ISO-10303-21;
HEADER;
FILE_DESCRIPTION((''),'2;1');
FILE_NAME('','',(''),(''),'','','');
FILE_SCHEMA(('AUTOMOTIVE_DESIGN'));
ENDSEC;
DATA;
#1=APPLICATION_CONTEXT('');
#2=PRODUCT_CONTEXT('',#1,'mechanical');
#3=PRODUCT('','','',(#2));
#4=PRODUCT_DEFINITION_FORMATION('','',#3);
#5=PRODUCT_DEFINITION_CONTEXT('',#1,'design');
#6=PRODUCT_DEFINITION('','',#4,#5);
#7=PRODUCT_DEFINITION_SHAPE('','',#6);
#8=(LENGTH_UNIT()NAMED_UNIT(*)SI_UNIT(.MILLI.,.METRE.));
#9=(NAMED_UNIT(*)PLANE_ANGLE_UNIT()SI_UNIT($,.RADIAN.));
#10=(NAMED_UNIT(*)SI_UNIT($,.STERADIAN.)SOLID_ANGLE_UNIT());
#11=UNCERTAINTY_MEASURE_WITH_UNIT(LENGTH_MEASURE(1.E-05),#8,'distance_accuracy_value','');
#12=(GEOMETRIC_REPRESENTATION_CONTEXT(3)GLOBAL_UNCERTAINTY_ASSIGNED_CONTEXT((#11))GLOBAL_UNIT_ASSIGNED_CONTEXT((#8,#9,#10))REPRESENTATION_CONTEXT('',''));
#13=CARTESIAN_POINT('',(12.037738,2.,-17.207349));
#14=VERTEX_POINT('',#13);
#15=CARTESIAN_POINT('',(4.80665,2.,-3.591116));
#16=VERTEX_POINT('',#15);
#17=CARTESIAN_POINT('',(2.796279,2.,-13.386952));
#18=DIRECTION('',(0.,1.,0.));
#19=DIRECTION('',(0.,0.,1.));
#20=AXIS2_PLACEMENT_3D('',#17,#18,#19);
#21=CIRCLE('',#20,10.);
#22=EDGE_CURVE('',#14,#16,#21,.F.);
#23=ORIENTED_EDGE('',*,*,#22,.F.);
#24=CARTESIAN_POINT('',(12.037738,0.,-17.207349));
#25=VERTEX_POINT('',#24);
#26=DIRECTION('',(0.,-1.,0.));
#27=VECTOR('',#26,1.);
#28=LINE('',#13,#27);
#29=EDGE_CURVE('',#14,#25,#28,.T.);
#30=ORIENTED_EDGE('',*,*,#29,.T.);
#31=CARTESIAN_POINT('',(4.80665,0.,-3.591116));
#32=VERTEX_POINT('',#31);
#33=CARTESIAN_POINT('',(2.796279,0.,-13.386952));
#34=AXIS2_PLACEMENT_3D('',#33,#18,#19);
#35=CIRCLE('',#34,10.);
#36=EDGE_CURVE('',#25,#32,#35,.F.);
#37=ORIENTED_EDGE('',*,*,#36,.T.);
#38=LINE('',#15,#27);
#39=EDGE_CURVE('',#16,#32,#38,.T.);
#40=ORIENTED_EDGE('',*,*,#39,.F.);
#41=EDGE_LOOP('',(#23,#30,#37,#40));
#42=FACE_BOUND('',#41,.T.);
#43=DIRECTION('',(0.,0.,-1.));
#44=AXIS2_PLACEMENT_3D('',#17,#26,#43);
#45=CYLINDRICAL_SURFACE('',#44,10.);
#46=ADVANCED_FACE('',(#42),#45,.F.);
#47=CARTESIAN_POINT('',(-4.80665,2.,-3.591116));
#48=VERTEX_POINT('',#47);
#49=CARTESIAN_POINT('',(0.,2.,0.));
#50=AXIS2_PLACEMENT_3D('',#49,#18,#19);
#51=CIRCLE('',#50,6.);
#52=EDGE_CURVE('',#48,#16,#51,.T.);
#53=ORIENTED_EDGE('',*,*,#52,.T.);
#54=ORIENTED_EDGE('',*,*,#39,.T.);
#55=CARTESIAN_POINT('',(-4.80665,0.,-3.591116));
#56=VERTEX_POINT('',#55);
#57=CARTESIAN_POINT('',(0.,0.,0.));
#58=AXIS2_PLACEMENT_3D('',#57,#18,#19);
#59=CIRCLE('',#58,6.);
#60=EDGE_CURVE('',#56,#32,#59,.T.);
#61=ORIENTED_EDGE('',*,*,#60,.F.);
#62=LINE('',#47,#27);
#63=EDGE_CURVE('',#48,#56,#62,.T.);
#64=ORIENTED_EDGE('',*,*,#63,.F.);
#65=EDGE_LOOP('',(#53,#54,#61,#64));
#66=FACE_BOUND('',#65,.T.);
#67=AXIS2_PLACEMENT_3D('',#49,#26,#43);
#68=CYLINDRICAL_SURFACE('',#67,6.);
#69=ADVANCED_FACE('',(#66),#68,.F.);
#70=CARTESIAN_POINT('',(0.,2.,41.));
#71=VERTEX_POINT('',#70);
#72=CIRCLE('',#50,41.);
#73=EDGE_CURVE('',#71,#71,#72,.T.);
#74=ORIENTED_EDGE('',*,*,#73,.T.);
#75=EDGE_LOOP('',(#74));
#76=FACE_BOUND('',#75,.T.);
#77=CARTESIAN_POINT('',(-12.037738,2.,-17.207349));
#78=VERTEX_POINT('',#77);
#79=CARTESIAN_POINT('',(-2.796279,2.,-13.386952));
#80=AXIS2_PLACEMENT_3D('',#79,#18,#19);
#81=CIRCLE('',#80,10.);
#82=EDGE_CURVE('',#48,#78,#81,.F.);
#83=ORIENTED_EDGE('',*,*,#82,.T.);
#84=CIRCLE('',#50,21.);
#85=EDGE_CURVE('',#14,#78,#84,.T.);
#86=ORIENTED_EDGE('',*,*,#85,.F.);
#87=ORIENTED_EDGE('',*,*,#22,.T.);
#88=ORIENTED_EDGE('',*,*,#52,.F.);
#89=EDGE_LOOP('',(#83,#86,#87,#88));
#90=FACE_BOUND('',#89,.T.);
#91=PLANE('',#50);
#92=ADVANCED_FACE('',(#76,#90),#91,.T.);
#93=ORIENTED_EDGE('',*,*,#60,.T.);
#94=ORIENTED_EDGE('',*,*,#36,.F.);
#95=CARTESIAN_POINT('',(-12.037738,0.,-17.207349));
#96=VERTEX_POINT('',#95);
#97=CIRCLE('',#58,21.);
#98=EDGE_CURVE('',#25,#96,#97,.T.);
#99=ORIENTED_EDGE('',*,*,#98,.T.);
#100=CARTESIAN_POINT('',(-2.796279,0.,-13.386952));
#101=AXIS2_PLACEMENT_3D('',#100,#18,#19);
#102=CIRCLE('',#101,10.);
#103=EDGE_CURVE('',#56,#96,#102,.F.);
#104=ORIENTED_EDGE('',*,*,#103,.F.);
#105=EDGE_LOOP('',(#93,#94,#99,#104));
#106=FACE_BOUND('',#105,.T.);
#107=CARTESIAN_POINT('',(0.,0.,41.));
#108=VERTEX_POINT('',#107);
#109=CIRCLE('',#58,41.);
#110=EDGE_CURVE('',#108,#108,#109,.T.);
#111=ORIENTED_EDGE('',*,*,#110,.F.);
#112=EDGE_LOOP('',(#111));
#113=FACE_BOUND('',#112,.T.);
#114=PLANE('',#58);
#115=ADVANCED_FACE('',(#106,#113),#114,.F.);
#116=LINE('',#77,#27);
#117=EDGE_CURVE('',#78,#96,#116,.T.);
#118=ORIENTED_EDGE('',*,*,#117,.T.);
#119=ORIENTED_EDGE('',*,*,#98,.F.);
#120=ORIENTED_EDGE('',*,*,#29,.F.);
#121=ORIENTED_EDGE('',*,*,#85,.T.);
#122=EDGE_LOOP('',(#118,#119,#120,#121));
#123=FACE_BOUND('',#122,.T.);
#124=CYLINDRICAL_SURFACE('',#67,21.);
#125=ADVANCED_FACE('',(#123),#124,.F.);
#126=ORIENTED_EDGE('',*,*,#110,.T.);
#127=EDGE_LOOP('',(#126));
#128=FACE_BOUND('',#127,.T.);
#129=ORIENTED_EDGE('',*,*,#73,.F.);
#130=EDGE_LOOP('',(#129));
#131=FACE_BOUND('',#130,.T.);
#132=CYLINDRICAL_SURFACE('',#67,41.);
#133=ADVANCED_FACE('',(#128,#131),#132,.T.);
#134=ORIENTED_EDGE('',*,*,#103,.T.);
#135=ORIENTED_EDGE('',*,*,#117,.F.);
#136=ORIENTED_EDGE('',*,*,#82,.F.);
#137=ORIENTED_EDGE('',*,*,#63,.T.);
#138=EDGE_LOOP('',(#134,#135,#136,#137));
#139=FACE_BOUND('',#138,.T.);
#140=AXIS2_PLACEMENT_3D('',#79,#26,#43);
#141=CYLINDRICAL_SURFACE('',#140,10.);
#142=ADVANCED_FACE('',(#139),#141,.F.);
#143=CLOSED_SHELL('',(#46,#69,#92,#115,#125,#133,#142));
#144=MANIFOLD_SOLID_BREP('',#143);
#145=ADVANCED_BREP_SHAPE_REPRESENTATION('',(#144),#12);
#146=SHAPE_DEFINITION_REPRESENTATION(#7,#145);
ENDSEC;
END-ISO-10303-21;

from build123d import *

# Parameters (mm, degrees)
SKETCH1_R           = 41
BOSS_EXTRUDE1_DEPTH = 2


with BuildPart() as part:
    # Sketch1 → Boss-Extrude1 (new body)
    # profile 1 of 2: a face of its own
    with BuildSketch(Plane(origin=(0, 0, 0), x_dir=(1, 0, 0), z_dir=(0, 1, 0))):
        with Locations(Location((0, 0, 0), (0, 0, 270))):
            Circle(SKETCH1_R)
        with BuildLine():
            ThreePointArc((21, 0), (-9.127670618, -18.912578594), (-13.065298009, 16.440741709))
            ThreePointArc((-13.065298009, 16.440741709), (-12.557369181, 16.831888761), (-12.037737576, 17.20734942))
            ThreePointArc((-12.037737576, 17.20734942), (0, 21), (12.037737576, 17.20734942))
            ThreePointArc((12.037737576, 17.20734942), (12.557369181, 16.831888761), (13.065298009, 16.440741709))
            ThreePointArc((13.065298009, 16.440741709), (18.912578594, 9.127670618), (21, 0))
        make_face(mode=Mode.SUBTRACT)
    # profile 2 of 2: a face of its own
    with BuildSketch(Plane(origin=(0, 0, 0), x_dir=(1, 0, 0), z_dir=(0, 1, 0))):
        with BuildLine():
            ThreePointArc((-12.037737576, 17.20734942), (-12.557369181, 16.831888761), (-13.065298009, 16.440741709))
            ThreePointArc((-13.065298009, 16.440741709), (-9.127670618, -18.912578594), (21, 0))
            ThreePointArc((21, 0), (18.912578594, 9.127670618), (13.065298009, 16.440741709))
            ThreePointArc((13.065298009, 16.440741709), (12.557369181, 16.831888761), (12.037737576, 17.20734942))
            ThreePointArc((12.037737576, 17.20734942), (11.628117295, 8.696683132), (4.806650128, 3.591116059))
            ThreePointArc((4.806650128, 3.591116059), (0, -6), (-4.806650128, 3.591116059))
            ThreePointArc((-4.806650128, 3.591116059), (-11.628117295, 8.696683132), (-12.037737576, 17.20734942))
        make_face()
    extrude(amount=BOSS_EXTRUDE1_DEPTH)


solid = part.part
